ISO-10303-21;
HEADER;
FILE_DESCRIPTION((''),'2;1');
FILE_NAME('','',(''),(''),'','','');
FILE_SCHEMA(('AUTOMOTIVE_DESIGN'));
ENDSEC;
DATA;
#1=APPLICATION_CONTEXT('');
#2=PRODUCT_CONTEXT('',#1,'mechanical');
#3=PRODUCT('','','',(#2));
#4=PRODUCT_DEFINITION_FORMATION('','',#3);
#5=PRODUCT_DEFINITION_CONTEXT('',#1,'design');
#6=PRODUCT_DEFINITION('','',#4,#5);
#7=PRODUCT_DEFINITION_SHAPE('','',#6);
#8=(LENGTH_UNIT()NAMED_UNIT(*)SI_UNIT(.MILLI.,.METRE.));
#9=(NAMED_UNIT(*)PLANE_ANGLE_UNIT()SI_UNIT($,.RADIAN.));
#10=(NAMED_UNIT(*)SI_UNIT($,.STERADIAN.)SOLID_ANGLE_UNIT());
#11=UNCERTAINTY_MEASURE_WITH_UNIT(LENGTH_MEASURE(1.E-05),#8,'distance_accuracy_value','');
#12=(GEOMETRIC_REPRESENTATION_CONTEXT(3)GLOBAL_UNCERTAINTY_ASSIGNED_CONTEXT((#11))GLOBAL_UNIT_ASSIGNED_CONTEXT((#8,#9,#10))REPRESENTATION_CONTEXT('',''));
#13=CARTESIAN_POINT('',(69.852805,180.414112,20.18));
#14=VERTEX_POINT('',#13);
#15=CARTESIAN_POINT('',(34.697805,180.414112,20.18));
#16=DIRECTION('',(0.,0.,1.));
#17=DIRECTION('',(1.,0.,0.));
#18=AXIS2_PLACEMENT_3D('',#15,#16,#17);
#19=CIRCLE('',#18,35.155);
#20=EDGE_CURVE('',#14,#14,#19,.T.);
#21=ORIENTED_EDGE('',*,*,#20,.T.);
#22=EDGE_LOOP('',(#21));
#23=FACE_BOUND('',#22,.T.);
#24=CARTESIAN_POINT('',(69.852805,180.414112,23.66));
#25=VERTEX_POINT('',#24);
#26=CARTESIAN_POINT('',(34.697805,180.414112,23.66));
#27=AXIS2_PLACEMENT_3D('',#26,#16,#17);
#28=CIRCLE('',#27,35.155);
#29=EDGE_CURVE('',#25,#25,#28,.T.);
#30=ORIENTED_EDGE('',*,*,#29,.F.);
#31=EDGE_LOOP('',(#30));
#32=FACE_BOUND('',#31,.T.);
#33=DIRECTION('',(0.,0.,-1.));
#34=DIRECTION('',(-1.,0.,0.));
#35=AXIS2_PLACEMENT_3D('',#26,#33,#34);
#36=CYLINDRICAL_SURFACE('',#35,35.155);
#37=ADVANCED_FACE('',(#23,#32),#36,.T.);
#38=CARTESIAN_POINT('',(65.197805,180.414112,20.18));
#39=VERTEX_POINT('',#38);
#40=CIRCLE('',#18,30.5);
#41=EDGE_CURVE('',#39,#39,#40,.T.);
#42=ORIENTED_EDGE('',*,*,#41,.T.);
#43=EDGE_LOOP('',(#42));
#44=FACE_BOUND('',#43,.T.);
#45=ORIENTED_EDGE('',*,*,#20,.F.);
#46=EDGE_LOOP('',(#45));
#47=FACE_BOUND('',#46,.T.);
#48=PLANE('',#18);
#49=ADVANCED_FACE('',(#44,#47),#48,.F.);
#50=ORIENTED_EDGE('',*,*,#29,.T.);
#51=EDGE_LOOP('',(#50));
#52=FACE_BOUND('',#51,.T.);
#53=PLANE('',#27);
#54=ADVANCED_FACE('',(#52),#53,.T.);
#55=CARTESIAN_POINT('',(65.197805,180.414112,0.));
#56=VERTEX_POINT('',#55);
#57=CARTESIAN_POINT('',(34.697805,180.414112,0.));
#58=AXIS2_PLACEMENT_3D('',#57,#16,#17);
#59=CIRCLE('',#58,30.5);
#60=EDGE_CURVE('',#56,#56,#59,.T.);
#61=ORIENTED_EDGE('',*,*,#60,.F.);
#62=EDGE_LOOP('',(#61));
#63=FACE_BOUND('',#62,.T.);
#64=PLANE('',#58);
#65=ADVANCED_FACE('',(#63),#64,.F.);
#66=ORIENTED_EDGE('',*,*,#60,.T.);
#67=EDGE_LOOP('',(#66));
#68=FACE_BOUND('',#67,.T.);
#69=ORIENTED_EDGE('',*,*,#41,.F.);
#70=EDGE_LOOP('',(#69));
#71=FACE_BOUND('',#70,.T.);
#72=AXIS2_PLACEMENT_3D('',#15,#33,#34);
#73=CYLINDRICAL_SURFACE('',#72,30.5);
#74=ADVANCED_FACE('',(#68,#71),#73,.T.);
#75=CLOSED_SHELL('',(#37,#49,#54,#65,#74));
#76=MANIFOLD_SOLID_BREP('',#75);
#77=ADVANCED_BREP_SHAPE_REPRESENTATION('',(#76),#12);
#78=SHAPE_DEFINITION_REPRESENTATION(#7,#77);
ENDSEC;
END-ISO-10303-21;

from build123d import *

# Parameters (mm, degrees)
SKETCH1_R           = 30.5
BOSS_EXTRUDE1_DEPTH = 20.18
SKETCH2_R           = 35.155
BOSS_EXTRUDE2_DEPTH = 3.48


with BuildPart() as part:
    # Sketch1 → Boss-Extrude1 (new body)
    with BuildSketch(Plane.XY):
        with Locations((34.697804605, 180.414111571)):
            Circle(SKETCH1_R)
    extrude(amount=BOSS_EXTRUDE1_DEPTH)

    # Sketch2 → Boss-Extrude2 (add)
    with BuildSketch(Plane.XY.offset(20.18)):
        with Locations((34.697804605, 180.414111571)):
            Circle(SKETCH2_R)
    extrude(amount=BOSS_EXTRUDE2_DEPTH)


solid = part.part
